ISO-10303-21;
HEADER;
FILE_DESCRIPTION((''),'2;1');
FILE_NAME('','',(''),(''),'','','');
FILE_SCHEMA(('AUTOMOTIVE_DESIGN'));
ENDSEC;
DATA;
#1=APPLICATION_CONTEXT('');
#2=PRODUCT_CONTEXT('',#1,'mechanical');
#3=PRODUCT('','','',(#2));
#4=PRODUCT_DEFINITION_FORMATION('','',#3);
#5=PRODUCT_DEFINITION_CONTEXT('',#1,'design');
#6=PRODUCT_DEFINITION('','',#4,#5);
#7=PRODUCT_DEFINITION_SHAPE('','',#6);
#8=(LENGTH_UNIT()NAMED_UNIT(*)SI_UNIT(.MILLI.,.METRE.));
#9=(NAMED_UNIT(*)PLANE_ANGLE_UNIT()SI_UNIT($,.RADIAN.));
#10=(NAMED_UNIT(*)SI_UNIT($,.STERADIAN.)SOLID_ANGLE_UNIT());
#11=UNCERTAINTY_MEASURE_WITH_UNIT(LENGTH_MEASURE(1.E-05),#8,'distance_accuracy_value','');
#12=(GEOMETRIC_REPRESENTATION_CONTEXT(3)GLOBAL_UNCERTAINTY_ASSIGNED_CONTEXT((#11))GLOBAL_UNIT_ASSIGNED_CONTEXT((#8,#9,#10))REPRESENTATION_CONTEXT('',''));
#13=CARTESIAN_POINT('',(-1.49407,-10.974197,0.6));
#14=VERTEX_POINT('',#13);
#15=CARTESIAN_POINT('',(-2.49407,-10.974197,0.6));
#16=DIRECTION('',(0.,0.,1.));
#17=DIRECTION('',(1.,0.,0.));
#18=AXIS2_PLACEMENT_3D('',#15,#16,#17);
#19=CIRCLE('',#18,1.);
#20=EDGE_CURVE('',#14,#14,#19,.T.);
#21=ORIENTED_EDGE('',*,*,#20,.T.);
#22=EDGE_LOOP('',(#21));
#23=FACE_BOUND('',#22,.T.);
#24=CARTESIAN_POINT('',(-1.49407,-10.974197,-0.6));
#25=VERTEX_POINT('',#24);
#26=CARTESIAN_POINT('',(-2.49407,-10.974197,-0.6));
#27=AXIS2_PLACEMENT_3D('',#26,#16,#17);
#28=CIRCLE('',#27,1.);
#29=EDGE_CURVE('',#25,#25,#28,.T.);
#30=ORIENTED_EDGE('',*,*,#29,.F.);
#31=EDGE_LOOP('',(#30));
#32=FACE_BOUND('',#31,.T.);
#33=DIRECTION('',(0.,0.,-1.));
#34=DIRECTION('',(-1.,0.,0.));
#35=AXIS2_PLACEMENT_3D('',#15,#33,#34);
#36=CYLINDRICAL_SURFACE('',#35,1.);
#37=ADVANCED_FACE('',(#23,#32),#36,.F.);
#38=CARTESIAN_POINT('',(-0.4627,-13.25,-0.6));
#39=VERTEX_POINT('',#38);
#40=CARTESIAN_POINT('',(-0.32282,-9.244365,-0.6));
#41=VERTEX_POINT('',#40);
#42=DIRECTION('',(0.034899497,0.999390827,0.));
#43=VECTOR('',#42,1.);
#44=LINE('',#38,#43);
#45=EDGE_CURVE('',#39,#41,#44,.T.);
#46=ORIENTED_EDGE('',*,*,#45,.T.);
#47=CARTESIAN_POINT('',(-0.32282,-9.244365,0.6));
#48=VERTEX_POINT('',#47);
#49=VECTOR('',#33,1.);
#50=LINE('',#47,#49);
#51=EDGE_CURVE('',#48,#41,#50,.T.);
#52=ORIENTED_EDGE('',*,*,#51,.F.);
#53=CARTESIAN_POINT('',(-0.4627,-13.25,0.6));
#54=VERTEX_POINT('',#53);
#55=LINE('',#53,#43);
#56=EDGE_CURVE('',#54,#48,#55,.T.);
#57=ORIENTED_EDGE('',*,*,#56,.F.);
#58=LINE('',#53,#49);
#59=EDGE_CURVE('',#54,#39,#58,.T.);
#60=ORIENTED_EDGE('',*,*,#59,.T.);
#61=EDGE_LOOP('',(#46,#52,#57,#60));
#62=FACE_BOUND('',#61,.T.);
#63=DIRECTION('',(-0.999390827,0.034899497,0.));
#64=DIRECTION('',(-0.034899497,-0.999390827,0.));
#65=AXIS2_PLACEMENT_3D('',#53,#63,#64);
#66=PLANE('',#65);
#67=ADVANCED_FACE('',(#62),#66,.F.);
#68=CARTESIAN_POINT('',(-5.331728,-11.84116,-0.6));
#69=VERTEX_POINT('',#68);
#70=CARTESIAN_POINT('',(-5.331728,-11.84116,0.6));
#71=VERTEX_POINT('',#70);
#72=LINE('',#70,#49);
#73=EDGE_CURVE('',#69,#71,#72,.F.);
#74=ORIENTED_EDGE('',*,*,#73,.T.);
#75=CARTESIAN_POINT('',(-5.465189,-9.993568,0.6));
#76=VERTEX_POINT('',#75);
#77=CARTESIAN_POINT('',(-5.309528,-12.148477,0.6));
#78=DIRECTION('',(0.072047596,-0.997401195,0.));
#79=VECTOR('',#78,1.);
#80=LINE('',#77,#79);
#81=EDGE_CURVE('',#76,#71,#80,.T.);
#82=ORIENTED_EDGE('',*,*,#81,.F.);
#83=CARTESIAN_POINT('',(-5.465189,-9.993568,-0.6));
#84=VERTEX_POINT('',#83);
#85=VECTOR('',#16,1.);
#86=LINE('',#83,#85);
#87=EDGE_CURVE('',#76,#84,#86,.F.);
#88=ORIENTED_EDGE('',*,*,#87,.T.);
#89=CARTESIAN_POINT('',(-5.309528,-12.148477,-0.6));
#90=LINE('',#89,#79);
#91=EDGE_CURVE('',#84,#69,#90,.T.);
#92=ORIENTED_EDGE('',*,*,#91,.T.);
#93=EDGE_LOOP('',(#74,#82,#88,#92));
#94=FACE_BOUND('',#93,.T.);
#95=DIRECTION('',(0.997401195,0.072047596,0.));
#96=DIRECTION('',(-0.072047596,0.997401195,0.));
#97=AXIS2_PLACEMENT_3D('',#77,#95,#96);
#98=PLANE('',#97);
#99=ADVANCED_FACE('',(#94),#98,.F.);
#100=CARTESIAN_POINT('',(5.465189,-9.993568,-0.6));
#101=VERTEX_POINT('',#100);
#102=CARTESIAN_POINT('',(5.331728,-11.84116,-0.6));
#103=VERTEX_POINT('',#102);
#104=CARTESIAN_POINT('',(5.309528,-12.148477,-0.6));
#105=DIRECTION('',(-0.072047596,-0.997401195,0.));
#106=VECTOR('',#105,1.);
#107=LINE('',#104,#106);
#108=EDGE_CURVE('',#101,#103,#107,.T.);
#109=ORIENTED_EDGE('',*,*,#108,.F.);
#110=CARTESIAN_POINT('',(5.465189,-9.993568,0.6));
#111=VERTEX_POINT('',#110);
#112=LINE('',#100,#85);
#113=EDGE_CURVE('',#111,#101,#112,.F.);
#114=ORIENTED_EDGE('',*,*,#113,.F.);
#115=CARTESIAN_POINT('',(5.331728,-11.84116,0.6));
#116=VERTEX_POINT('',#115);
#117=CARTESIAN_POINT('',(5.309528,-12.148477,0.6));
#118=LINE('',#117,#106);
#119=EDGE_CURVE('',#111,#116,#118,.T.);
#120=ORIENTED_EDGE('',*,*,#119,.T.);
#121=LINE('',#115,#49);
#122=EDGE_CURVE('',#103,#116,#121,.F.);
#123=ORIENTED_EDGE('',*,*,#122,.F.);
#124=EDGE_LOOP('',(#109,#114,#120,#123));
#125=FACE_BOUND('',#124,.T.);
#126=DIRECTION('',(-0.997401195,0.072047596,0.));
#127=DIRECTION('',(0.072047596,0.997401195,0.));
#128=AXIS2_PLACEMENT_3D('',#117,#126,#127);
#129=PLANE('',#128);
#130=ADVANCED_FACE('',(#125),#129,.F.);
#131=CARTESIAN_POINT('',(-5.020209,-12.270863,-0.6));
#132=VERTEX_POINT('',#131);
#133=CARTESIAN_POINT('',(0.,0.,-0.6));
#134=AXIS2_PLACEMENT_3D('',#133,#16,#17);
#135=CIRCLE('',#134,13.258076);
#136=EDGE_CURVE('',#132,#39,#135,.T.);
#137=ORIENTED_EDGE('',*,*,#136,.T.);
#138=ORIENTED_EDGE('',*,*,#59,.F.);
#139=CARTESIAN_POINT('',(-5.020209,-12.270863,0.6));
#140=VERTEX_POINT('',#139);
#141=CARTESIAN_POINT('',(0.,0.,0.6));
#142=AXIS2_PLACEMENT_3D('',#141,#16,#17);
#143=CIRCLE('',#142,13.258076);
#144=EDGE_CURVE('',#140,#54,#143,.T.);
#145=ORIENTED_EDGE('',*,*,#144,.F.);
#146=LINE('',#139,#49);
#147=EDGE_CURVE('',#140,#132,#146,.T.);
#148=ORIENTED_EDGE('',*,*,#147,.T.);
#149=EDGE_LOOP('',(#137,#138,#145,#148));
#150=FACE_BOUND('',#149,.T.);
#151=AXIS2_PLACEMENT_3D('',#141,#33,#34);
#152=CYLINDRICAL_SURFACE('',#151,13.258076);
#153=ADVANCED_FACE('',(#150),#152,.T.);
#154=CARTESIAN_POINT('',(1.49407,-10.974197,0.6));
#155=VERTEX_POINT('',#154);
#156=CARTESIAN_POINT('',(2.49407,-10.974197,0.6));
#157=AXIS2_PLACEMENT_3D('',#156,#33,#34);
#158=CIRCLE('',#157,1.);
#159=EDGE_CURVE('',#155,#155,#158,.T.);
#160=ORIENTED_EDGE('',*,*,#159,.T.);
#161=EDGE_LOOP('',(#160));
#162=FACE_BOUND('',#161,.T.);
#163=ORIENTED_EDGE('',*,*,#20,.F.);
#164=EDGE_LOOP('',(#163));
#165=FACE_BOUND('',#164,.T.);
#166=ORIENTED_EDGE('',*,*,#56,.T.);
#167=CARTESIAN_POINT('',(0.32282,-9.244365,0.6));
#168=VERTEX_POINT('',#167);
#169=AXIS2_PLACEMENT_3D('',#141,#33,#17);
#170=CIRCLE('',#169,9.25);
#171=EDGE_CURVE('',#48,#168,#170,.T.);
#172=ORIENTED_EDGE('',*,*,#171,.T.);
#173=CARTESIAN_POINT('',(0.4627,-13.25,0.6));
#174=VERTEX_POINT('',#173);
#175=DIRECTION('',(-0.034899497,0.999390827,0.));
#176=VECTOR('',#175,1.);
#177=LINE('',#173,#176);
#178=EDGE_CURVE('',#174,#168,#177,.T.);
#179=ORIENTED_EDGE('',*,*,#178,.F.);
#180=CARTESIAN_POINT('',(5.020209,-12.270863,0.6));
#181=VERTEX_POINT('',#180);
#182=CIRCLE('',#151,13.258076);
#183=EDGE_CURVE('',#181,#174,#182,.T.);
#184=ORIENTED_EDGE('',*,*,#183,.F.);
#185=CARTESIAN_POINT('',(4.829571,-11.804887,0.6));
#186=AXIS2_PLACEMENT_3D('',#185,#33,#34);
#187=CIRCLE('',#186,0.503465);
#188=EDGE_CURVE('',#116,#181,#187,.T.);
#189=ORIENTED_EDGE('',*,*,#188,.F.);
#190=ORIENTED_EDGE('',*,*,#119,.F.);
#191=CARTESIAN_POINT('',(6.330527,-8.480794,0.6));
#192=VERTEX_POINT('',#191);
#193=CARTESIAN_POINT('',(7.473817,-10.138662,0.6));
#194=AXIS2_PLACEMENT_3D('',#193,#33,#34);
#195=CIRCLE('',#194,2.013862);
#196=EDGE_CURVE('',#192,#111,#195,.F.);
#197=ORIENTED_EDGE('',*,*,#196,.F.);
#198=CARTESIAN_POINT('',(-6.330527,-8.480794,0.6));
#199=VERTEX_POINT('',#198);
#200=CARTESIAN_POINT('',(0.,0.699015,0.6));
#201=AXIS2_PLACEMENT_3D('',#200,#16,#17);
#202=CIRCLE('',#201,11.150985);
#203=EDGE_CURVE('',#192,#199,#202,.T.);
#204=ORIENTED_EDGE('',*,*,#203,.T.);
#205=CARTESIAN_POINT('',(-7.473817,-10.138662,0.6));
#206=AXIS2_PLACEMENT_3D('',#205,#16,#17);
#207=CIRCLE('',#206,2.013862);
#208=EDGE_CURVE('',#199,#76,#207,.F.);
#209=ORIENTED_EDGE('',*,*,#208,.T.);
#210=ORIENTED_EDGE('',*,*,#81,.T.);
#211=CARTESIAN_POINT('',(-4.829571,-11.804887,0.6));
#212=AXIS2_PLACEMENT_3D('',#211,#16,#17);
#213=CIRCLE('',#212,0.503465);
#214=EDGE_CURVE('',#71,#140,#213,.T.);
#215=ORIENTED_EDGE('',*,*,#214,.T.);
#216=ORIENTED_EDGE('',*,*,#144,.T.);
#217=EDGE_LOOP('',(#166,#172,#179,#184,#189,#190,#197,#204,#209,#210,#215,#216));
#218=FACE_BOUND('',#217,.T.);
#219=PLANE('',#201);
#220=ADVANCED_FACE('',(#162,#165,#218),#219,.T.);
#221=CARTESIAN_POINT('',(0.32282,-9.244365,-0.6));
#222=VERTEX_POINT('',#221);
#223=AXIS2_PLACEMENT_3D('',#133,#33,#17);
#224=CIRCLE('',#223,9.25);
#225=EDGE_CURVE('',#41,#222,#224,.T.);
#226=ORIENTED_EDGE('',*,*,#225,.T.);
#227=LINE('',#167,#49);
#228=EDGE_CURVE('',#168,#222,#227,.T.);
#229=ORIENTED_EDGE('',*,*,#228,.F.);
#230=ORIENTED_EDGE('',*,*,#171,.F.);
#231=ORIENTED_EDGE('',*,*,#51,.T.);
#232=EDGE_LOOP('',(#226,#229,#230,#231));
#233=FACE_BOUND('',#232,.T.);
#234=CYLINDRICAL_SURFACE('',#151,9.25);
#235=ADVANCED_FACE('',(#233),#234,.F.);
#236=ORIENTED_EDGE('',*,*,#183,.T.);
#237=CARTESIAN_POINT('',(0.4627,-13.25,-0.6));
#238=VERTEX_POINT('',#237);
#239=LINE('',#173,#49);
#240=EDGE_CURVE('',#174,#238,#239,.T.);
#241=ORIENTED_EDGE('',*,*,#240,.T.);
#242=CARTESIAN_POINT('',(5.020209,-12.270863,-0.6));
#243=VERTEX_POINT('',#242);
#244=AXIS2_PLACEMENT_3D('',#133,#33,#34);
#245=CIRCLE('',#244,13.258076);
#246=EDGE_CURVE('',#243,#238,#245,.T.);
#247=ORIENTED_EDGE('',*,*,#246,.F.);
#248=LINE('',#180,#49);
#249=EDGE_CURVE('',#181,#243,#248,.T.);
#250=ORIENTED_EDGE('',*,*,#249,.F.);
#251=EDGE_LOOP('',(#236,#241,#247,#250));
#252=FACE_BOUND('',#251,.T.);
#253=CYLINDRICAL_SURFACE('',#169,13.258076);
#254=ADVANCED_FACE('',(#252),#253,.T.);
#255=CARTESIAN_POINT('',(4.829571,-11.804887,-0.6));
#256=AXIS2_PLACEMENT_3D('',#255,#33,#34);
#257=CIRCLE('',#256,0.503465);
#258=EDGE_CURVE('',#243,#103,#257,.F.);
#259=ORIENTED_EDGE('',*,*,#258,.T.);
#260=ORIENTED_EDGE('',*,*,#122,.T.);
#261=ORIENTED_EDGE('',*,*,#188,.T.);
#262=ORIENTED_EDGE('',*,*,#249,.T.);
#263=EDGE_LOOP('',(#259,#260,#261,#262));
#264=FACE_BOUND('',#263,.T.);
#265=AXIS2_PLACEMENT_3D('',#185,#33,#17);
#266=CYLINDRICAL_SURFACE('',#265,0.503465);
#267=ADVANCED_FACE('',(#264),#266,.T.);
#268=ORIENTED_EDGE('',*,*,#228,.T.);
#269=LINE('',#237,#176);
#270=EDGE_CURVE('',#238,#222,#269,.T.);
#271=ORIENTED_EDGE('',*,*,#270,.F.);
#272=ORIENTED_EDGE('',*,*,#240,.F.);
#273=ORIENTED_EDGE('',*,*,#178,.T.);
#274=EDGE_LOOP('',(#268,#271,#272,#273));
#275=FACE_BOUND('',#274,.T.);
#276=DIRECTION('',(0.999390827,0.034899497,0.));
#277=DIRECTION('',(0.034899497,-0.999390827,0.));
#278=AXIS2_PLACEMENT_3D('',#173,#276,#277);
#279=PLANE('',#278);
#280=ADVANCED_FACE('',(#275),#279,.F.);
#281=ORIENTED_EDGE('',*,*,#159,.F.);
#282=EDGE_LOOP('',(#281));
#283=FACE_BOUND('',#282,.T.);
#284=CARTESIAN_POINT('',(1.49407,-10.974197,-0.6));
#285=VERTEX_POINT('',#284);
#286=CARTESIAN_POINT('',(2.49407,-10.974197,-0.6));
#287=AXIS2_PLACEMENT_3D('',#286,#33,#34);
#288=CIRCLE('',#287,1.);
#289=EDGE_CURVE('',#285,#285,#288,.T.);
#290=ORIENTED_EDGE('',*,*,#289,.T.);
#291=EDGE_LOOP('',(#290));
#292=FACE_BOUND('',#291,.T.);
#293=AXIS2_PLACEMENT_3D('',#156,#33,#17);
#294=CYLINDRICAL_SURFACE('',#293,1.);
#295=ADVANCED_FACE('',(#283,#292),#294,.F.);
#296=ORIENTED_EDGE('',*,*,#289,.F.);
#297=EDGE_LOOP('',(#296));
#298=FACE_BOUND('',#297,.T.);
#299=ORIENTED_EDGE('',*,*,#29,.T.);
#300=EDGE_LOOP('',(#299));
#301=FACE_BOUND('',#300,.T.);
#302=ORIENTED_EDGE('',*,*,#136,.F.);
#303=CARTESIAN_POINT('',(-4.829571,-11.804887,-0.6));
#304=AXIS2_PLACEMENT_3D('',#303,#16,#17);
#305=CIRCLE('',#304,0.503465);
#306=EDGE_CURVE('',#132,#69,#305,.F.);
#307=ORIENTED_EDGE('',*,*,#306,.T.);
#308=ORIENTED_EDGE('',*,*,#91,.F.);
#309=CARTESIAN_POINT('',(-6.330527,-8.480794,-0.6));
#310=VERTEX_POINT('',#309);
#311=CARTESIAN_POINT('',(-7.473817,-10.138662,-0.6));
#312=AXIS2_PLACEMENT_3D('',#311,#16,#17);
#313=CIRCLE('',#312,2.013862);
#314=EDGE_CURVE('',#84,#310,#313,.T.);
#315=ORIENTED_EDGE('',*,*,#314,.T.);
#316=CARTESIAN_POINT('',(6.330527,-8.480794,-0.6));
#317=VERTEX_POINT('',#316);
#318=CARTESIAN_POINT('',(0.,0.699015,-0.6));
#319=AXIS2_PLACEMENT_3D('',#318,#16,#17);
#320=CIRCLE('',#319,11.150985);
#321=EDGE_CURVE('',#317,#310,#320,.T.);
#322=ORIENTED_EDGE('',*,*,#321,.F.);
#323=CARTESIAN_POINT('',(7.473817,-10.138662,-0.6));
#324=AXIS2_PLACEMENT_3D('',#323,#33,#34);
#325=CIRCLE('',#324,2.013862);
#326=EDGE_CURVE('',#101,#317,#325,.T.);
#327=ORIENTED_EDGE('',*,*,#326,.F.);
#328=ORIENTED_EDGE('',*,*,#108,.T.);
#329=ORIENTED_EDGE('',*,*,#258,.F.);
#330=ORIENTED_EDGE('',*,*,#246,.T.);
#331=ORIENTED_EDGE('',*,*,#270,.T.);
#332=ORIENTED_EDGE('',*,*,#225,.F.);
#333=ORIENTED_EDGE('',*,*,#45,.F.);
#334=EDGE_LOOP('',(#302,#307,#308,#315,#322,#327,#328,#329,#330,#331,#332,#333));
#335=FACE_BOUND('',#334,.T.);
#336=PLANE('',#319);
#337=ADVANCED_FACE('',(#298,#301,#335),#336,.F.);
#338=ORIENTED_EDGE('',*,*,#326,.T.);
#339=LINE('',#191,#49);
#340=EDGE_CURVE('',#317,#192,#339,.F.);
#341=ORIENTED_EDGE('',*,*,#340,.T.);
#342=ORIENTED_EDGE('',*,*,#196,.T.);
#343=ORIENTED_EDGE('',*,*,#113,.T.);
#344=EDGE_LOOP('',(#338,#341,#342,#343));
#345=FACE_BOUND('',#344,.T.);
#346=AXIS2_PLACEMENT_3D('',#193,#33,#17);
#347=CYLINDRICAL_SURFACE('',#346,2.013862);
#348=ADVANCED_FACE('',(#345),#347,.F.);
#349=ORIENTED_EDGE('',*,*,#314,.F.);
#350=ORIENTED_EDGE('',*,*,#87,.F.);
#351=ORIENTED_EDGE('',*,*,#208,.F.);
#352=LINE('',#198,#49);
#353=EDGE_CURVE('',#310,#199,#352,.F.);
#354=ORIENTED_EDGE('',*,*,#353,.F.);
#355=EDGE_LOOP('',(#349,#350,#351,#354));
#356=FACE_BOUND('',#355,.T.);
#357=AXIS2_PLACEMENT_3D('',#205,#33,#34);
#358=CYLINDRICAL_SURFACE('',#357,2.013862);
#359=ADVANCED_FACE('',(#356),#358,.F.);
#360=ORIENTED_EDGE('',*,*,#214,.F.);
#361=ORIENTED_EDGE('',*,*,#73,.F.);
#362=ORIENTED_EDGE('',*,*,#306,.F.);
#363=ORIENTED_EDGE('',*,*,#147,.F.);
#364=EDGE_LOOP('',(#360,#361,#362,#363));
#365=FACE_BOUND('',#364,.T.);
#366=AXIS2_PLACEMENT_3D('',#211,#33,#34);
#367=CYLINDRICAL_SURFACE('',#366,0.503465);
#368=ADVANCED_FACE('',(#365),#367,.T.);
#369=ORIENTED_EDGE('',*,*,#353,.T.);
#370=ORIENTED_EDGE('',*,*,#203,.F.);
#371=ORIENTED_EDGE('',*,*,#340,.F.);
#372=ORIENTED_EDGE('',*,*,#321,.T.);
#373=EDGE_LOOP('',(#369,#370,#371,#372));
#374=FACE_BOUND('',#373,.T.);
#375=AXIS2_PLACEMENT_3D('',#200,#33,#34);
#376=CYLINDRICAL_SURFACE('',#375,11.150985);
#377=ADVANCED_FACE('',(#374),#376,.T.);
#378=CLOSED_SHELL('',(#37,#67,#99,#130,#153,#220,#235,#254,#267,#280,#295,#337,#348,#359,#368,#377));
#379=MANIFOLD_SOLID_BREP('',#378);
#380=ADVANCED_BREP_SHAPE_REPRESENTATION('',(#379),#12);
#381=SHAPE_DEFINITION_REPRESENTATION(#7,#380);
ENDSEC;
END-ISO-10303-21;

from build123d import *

# Parameters (mm, degrees)
SKETCH4_R           = 1
BOSS_EXTRUDE1_DEPTH = 0.6
FILLET1_R           = 2.013861721
FILLET2_R           = 0.50346543


with BuildPart() as part:
    # Sketch4 → Boss-Extrude1 (new, symmetric)
    with BuildSketch(Plane.XY):
        with BuildLine():
            Line((-5.309528497, -12.148477214), (-5.538454242, -8.97931092))
            ThreePointArc((-5.538454242, -8.97931092), (-10.776533172, 3.564464333), (0, 11.85))
            Line((0, 11.85), (0, 9.25))
            ThreePointArc((0, 9.25), (-9.24859118, 0.16143476), (-0.322820344, -9.24436515))
            Line((-0.322820344, -9.24436515), (-0.462700196, -13.25))
            ThreePointArc((-0.462700196, -13.25), (-2.938195727, -12.928402737), (-5.309528497, -12.148477214))
        make_face()
        with Locations((-2.49406972, -10.974196678)):
            Circle(SKETCH4_R, mode=Mode.SUBTRACT)
    extrude(amount=BOSS_EXTRUDE1_DEPTH, both=True)

    # Fillet1
    fillet1_edges = [part.edges().sort_by_distance(p)[0] for p in [
        (-5.538454242, -8.97931092, 0),
    ]]
    fillet(fillet1_edges, radius=FILLET1_R)

    # Fillet2
    fillet2_edges = [part.edges().sort_by_distance(p)[0] for p in [
        (-5.309528497, -12.148477214, 0),
    ]]
    fillet(fillet2_edges, radius=FILLET2_R)

    # Mirror1: part across plane


with BuildPart() as part_1:
    add(part.part)
    add(part.part.mirror(Plane(origin=(0, 11.85, 0.6), x_dir=(0, 0, 1), z_dir=(-1, 0, 0))))


solid = part_1.part
